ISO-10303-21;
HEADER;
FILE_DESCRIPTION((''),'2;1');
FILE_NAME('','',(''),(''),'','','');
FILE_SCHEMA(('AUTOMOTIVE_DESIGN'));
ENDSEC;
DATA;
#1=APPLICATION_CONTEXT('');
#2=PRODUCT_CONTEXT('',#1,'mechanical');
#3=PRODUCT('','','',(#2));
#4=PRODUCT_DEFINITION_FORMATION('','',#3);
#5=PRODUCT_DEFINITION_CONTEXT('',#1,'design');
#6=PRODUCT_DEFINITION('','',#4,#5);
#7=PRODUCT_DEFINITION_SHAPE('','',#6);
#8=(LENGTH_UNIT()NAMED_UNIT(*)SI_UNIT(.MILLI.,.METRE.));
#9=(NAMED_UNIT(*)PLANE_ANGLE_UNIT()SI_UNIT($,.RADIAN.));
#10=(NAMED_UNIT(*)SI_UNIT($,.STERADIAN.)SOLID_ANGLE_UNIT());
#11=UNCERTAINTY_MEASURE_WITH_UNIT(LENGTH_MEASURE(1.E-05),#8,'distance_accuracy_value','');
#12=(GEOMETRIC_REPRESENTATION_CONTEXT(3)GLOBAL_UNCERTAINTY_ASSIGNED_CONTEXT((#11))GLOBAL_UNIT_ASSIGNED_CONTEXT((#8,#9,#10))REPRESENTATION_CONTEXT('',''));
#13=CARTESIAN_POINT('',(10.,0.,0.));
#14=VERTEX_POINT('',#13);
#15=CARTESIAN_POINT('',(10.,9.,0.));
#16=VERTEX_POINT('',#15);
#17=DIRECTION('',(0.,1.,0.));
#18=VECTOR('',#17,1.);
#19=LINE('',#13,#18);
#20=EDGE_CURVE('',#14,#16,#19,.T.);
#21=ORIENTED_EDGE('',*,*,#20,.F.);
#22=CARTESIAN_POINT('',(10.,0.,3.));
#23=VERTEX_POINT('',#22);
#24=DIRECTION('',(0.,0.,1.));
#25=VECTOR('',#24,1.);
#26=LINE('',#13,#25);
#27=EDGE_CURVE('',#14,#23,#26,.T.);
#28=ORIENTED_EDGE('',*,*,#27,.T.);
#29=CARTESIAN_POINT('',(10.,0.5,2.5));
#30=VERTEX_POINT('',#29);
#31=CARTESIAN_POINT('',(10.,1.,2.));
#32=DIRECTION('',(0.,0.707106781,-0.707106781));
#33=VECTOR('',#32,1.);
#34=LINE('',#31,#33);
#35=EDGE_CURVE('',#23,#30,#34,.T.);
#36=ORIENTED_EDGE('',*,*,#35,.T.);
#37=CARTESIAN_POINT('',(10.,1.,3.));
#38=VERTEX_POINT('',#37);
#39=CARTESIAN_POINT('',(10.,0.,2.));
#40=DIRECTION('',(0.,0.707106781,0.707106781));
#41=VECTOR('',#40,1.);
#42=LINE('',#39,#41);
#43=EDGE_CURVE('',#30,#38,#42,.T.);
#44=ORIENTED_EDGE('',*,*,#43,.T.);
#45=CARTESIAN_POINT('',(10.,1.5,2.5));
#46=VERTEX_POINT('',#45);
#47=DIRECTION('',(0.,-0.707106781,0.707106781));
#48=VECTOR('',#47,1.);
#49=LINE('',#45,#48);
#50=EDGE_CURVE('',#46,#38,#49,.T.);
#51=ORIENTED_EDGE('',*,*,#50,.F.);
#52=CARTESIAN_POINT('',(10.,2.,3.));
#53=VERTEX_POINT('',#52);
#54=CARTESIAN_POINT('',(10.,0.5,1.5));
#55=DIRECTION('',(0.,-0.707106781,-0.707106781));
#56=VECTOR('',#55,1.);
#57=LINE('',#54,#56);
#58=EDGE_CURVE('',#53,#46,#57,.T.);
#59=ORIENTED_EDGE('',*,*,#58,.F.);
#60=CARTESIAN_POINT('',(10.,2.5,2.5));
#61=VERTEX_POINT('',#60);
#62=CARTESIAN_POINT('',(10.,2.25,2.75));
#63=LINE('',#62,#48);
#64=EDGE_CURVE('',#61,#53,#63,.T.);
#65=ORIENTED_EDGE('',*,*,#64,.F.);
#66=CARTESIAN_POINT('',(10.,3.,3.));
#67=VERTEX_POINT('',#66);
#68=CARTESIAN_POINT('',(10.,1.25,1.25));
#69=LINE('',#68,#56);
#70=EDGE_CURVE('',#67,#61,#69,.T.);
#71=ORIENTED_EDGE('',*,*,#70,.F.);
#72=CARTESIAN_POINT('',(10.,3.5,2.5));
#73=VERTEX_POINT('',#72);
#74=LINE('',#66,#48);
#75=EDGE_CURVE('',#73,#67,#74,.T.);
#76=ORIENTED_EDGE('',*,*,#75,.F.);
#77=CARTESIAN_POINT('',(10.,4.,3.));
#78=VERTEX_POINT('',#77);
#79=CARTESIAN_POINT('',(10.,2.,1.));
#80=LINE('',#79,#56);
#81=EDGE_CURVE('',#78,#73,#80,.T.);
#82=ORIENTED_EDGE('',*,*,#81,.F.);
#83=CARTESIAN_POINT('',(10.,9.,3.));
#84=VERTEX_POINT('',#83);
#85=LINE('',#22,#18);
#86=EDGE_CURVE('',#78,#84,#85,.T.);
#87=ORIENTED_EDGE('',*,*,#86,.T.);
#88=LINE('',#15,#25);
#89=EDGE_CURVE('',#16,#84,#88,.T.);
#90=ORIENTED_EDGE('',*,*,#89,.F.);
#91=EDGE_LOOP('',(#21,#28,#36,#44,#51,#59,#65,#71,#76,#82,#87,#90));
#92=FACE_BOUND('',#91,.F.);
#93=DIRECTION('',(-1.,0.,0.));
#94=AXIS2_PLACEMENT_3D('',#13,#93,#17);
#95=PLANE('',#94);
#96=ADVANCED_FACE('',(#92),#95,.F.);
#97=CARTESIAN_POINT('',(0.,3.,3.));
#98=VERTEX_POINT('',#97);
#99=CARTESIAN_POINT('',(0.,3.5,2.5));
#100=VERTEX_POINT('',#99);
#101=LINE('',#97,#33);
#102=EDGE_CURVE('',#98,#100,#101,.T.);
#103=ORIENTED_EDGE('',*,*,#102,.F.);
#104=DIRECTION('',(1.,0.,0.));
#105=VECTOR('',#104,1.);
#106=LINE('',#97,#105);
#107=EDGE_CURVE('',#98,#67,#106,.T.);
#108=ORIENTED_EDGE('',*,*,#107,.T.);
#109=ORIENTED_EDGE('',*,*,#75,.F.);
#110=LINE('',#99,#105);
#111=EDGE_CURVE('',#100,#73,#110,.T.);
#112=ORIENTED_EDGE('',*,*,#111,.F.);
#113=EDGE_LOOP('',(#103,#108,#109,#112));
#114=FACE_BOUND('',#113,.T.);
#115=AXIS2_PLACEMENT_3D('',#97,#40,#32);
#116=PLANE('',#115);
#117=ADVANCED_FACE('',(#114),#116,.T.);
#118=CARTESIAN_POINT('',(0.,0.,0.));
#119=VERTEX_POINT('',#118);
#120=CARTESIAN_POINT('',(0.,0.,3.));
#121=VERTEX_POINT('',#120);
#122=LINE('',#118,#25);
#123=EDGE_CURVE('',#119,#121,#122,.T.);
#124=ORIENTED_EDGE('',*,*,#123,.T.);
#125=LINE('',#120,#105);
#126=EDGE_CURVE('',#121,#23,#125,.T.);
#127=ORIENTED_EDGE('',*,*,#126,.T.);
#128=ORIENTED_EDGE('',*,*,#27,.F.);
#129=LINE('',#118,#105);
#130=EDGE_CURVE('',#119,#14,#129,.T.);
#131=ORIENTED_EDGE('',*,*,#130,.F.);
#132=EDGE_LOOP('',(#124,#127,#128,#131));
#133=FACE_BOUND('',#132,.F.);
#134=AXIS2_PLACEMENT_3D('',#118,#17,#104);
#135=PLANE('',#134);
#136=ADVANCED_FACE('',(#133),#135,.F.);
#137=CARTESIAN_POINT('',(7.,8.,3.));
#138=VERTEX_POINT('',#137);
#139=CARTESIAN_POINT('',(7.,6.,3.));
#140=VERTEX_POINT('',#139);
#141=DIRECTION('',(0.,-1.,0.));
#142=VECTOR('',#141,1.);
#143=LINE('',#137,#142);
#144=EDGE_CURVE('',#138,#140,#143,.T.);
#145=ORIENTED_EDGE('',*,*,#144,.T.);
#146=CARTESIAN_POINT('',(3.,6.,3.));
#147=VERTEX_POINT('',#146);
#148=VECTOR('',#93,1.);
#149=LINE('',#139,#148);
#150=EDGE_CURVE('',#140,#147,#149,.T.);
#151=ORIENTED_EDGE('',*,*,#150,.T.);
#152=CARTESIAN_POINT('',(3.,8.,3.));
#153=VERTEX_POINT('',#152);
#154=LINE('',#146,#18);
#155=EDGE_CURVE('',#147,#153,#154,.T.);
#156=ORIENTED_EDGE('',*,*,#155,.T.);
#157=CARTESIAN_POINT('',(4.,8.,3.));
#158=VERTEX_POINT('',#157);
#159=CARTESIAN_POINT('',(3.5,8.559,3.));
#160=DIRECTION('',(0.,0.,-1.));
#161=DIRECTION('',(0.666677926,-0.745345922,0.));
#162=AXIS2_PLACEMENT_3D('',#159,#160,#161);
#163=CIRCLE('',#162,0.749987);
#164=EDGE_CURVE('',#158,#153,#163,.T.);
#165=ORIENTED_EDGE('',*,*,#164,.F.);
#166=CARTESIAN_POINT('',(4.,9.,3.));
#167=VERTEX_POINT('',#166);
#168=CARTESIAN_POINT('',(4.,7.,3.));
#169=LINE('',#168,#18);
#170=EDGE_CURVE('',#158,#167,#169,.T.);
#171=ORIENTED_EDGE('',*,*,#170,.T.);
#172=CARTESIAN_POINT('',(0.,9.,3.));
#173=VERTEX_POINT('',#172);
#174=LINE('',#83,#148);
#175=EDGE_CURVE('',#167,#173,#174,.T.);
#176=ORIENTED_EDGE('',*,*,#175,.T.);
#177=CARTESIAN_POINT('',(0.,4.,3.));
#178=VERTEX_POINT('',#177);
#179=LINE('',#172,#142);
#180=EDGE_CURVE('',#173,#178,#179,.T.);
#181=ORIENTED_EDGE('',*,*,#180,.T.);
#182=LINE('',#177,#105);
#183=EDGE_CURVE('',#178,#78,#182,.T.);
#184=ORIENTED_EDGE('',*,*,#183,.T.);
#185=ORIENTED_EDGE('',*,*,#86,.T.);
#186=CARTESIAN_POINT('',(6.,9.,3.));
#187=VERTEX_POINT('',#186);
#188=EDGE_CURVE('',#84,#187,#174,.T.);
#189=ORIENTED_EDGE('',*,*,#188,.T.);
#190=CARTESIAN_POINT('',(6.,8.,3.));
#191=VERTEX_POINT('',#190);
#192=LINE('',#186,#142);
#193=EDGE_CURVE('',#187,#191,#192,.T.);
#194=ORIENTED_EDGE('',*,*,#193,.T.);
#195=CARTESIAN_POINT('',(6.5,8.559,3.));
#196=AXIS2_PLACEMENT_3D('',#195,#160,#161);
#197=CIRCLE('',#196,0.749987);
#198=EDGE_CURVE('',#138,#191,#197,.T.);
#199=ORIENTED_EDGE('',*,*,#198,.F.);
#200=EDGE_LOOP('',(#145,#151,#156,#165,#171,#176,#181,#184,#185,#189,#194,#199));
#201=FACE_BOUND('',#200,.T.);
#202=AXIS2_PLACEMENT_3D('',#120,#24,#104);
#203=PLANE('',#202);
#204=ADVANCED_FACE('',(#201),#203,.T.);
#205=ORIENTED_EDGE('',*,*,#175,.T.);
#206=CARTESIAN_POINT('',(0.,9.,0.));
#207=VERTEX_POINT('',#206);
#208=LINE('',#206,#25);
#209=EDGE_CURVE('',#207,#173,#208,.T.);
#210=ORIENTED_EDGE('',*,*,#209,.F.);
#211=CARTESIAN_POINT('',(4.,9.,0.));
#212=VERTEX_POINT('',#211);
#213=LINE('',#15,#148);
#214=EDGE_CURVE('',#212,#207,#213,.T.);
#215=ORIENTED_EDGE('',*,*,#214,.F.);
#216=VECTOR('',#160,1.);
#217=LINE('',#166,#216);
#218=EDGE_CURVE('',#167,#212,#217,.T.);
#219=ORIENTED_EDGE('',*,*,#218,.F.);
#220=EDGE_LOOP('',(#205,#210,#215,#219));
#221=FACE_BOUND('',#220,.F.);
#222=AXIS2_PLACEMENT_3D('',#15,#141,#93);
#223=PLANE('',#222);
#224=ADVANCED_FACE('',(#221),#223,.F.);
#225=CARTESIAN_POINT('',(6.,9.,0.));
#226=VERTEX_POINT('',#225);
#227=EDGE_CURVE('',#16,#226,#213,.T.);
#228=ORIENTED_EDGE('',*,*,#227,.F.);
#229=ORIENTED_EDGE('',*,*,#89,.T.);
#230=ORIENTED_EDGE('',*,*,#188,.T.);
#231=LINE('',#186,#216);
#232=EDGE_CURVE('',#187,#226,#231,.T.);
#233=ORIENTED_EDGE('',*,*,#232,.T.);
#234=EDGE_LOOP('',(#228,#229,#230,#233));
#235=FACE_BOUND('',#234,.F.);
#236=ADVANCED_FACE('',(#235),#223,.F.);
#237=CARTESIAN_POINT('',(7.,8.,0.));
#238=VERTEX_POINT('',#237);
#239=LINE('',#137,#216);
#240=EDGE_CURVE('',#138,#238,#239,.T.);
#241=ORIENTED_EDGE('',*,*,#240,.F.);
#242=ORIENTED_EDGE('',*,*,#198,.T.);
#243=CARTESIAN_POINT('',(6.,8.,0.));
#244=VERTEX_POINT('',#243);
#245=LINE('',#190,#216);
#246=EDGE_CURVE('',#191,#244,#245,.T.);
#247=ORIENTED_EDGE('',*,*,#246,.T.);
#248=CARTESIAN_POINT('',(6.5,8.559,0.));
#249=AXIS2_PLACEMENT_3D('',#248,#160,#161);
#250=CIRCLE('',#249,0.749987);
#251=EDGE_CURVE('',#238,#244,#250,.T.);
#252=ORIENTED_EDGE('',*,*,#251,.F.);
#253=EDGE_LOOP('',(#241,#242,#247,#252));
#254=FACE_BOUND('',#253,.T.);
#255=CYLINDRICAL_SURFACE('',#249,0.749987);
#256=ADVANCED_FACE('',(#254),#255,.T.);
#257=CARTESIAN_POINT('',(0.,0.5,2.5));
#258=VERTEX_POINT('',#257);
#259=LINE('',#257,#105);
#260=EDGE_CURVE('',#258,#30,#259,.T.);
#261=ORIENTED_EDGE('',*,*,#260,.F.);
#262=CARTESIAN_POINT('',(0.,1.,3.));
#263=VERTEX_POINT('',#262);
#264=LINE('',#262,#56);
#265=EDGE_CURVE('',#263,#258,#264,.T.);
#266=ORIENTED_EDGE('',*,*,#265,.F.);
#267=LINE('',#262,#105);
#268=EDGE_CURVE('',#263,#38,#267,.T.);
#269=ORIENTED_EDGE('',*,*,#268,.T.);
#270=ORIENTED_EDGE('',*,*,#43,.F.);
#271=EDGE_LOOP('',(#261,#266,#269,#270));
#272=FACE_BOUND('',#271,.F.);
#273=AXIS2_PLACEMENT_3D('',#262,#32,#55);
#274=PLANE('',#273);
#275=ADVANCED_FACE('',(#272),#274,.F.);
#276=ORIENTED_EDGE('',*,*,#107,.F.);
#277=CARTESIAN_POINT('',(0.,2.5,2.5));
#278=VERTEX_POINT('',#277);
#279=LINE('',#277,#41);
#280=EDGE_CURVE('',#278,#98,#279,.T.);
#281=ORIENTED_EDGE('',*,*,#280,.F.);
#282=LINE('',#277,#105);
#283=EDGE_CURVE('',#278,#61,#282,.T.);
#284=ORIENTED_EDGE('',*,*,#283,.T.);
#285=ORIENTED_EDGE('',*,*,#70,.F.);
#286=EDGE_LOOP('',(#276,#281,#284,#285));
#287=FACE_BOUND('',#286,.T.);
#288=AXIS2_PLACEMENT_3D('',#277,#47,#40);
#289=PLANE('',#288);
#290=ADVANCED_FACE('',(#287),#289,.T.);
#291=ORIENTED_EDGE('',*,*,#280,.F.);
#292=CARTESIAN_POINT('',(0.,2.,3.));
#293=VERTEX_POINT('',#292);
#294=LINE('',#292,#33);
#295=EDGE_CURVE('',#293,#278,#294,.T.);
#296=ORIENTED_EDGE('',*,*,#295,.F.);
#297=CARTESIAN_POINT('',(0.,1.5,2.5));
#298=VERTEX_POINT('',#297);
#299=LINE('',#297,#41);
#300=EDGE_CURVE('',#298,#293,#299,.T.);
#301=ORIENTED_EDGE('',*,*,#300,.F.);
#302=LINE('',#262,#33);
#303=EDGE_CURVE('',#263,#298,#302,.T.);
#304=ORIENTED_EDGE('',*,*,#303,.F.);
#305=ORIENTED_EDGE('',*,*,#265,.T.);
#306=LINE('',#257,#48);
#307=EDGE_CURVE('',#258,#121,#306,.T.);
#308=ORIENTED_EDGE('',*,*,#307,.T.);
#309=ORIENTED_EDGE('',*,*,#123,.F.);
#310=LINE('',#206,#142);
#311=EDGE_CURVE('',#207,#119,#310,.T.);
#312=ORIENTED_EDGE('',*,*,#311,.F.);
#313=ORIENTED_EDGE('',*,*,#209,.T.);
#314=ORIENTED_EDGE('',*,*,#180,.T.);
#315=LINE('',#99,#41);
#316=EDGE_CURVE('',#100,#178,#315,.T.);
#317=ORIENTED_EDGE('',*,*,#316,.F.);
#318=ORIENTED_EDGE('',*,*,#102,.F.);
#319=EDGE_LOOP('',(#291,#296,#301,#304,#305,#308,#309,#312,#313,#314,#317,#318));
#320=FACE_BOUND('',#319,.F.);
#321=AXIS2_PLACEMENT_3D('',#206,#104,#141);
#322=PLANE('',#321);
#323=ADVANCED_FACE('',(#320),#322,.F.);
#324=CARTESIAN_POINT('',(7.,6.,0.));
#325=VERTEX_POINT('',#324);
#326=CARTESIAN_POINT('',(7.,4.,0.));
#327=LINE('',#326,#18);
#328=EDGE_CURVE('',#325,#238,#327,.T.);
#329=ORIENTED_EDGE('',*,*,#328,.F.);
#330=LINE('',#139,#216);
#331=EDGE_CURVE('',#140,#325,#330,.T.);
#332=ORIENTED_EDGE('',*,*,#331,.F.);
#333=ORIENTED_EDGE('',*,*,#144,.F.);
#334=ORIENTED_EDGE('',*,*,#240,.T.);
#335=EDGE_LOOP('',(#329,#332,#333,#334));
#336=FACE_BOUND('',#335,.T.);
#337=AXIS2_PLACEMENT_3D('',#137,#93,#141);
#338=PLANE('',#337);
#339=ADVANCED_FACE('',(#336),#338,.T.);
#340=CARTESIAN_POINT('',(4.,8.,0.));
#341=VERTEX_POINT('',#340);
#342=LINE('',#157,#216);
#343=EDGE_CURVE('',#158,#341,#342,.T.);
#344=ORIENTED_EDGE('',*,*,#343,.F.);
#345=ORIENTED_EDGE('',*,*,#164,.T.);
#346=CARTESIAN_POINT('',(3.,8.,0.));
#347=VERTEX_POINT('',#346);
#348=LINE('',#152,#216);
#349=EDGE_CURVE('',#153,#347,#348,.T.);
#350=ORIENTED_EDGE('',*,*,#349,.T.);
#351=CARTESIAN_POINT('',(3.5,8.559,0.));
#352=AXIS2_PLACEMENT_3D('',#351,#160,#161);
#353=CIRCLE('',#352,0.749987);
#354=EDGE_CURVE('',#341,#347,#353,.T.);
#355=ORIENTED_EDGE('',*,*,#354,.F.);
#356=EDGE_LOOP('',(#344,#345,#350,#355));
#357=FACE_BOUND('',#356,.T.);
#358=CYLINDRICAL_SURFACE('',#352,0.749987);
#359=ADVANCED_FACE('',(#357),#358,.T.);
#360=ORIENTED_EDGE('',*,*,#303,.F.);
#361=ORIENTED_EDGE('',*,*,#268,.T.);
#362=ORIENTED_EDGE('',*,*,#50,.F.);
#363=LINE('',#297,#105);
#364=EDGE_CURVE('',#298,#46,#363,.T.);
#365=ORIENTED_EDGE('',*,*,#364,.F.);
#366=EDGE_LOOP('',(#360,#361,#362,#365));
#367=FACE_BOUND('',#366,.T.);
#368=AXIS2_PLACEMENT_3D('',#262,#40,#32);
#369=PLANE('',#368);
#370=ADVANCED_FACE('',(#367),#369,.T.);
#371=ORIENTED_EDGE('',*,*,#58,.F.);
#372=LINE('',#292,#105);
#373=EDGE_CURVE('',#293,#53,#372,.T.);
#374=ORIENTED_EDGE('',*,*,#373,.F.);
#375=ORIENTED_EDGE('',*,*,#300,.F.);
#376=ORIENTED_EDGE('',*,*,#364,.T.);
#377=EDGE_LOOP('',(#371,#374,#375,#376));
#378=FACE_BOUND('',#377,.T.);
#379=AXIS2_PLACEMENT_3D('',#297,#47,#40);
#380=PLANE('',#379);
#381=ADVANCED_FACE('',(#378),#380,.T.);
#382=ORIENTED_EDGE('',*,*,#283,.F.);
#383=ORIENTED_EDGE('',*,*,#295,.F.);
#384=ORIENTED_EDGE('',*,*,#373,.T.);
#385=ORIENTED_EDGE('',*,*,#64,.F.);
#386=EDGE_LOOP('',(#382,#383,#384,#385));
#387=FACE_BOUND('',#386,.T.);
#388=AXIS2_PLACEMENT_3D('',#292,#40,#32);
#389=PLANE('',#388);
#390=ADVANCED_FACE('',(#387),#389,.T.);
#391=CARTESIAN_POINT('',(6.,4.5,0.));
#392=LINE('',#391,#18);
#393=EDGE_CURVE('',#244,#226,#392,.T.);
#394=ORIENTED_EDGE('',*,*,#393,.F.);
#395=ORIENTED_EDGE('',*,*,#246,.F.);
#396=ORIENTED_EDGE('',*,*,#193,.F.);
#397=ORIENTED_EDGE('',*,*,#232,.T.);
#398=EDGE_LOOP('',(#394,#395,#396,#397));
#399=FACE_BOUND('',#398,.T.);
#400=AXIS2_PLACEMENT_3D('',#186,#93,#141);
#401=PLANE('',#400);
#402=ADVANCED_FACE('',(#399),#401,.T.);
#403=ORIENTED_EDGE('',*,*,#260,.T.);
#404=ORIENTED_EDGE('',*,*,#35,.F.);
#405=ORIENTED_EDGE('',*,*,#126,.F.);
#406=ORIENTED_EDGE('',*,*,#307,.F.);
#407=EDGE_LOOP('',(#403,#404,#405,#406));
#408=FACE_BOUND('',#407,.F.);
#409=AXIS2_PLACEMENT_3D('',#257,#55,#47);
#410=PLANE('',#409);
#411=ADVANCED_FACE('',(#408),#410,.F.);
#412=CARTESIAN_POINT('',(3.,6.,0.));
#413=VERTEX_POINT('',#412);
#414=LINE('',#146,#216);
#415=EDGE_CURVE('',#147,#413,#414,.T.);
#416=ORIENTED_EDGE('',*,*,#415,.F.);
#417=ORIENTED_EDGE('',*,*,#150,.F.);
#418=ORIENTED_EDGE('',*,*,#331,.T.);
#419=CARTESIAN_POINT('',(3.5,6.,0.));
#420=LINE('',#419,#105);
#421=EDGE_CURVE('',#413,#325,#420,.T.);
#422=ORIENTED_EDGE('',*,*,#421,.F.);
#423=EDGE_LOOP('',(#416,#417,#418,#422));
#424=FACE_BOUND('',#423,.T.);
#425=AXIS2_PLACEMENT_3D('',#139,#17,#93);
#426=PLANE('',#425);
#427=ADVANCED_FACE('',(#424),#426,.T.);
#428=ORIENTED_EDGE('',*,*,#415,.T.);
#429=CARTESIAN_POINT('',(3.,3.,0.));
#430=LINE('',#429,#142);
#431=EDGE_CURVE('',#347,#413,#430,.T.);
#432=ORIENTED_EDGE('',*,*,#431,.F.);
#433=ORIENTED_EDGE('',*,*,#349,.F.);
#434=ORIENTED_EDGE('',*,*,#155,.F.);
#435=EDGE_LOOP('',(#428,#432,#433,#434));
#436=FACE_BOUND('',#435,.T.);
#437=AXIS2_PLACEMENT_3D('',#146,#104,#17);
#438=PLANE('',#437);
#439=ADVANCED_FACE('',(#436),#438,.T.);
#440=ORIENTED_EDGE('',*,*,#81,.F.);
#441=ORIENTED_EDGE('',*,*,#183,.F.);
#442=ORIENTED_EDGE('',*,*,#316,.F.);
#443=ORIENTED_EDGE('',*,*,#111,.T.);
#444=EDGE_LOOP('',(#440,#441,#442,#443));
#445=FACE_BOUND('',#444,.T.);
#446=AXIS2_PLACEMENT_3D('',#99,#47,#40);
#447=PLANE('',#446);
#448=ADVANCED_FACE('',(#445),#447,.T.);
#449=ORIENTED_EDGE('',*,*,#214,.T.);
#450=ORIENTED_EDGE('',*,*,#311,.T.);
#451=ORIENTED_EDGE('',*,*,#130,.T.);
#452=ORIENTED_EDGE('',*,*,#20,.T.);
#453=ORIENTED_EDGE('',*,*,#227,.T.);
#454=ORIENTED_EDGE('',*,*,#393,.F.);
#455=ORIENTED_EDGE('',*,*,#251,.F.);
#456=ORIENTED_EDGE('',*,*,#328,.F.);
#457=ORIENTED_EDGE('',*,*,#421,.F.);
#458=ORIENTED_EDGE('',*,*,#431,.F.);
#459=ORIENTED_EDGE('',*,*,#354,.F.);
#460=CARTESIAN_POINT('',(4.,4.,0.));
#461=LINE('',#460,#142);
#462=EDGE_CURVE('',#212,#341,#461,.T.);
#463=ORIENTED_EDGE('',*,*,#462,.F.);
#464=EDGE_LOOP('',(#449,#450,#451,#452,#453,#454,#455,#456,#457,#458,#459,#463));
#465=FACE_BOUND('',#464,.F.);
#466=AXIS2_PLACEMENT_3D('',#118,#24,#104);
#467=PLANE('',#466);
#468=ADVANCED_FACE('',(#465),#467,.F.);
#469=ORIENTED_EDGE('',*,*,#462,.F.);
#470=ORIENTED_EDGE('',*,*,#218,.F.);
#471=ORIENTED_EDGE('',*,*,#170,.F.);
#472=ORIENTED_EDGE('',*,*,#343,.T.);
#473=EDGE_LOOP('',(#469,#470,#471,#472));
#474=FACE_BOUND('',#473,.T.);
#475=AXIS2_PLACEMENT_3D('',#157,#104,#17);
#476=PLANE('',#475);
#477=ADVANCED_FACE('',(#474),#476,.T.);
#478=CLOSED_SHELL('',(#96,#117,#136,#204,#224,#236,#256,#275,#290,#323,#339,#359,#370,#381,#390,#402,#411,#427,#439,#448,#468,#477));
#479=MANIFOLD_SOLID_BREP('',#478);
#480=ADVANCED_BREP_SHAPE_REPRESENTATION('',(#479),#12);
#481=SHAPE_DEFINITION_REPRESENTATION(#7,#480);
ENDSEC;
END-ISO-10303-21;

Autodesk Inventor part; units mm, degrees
ref_plane "YZ Plane" through (0, 0, 0) normal (1, 0, 0) x (0, 1, 0)
ref_plane "XZ Plane" through (0, 0, 0) normal (0, 1, 0) x (-1, 0, 0)
ref_plane "XY Plane" through (0, 0, 0) normal (0, 0, 1) x (1, 0, 0)
sketch "Sketch1" plane through (0, 0, 0) normal (0, 0, 1) x (1, 0, 0)
  line L0 (0, 0) -> (10, 0)
  line L1 (10, 0) -> (10, 9)
  line L2 (10, 9) -> (0, 9)
  line L3 (0, 9) -> (0, 0)
  point P0 (5, 9)
  dimension "d0" = 10
  dimension "d1" = 9
extrude "Extrusion1" add sketch "Sketch1" along normal blind 3
sketch "Sketch10" plane through (0, 0, 0) normal (-1, 0, 0) x (0, 0, 1)
  line L0 (0, 0) -> (3, 0) projected
  line L1 (3, 0) -> (2.5, 0)
  line L2 (2.5, 0) -> (2.5, 0.5)
  line L3 (2.5, 6) -> (3, 6)
  line L4 (3, 6) -> (3, 4)
  line L5 (3, 0) -> (3.7071, 0) construction
  line L6 (2.5, 4.25) -> (3, 4.25)
  line L7 (3, 1) -> (2.5, 1.5)
  line L8 (2.5, 1.5) -> (3, 2)
  line L9 (3, 2) -> (2.5, 2.5)
  line L10 (2.5, 2.5) -> (3, 3)
  line L11 (3, 3) -> (2.5, 3.5)
  line L12 (2.5, 3.5) -> (3, 4)
  line L13 (3, 4) -> (3, 4.25)
  line L14 (3, 1) -> (3, 0)
  line L15 (3, 2) -> (3, 1)
  line L16 (3, 4) -> (3, 3)
  line L17 (2.5, 2.5) -> (2.5, 3.5)
  line L18 (2.5, 1.5) -> (2.5, 2.5)
  line L19 (2.5, 0.5) -> (2.5, 1.5)
  line L20 (2.5, 3.5) -> (2.5, 6)
  line L21 (3, 3) -> (3, 2)
  line L22 (3, 1) -> (2.5, 0.5)
  line L23 (2.5, 0.5) -> (3, 0)
  point P0 (2.5, 3)
  dimension "d23" = 0.5
  dimension "d24" = 6
sketch "Sketch12" plane through (0, 0, 3) normal (0, 0, 1) x (1, 0, 0)
  line L0 (10, 9) -> (0, 9) projected
  line L1 (7, 6) -> (3, 6)
  line L2 (3, 6) -> (3, 8)
  line L3 (3, 8) -> (7, 8)
  line L4 (7, 8) -> (7, 6)
  line L5 (7, 6) -> (3, 8) construction
  line L6 (3, 6) -> (7, 8) construction
  line L7 (6, 7) -> (4, 7)
  line L8 (4, 7) -> (4, 9)
  line L9 (4, 9) -> (6, 9)
  line L10 (6, 9) -> (6, 7)
  line L11 (6, 7) -> (4, 9) construction
  line L12 (4, 7) -> (6, 9) construction
  line L13 (0, 9) -> (0, 0) projected
  point P0 (5, 7)
  point P1 (5, 8)
  dimension "d47" = 2
  dimension "d48" = 4
  dimension "d49" = 2
  dimension "d50" = 2
  dimension "d68" = 5
extrude "Extrusion10" cut sketch "Sketch12" against normal up to next
extrude "Extrusion13" cut sketch "Sketch10" against normal up to next contours L23 L22 L14 | L7 L8 L15 | L9 L10 L21 | L11 L12 L16
sketch "Sketch16" plane through (0, 0, 0) normal (0, 0, -1) x (-1, 0, 0)
  line L0 (-7, 8) -> (-6, 8) projected
  arc A0 (-7, 8) -> (-6, 8) centre (-6.5, 8.559) ccw
  line L1 (-4, 8) -> (-3, 8) projected
  line L2 (-3, 8) -> (-3, 6) projected
  arc A1 (-4, 8) -> (-3, 8) centre (-3.5, 8.559) ccw
  point P0 (0, 0)
  dimension "d69" = 0.75
  dimension "d70" = 0.75
extrude "Extrusion14" add sketch "Sketch16" against normal up to surface (3 mm away)
properties part number "Clamp-part2(moving)-Base9x10mm."
